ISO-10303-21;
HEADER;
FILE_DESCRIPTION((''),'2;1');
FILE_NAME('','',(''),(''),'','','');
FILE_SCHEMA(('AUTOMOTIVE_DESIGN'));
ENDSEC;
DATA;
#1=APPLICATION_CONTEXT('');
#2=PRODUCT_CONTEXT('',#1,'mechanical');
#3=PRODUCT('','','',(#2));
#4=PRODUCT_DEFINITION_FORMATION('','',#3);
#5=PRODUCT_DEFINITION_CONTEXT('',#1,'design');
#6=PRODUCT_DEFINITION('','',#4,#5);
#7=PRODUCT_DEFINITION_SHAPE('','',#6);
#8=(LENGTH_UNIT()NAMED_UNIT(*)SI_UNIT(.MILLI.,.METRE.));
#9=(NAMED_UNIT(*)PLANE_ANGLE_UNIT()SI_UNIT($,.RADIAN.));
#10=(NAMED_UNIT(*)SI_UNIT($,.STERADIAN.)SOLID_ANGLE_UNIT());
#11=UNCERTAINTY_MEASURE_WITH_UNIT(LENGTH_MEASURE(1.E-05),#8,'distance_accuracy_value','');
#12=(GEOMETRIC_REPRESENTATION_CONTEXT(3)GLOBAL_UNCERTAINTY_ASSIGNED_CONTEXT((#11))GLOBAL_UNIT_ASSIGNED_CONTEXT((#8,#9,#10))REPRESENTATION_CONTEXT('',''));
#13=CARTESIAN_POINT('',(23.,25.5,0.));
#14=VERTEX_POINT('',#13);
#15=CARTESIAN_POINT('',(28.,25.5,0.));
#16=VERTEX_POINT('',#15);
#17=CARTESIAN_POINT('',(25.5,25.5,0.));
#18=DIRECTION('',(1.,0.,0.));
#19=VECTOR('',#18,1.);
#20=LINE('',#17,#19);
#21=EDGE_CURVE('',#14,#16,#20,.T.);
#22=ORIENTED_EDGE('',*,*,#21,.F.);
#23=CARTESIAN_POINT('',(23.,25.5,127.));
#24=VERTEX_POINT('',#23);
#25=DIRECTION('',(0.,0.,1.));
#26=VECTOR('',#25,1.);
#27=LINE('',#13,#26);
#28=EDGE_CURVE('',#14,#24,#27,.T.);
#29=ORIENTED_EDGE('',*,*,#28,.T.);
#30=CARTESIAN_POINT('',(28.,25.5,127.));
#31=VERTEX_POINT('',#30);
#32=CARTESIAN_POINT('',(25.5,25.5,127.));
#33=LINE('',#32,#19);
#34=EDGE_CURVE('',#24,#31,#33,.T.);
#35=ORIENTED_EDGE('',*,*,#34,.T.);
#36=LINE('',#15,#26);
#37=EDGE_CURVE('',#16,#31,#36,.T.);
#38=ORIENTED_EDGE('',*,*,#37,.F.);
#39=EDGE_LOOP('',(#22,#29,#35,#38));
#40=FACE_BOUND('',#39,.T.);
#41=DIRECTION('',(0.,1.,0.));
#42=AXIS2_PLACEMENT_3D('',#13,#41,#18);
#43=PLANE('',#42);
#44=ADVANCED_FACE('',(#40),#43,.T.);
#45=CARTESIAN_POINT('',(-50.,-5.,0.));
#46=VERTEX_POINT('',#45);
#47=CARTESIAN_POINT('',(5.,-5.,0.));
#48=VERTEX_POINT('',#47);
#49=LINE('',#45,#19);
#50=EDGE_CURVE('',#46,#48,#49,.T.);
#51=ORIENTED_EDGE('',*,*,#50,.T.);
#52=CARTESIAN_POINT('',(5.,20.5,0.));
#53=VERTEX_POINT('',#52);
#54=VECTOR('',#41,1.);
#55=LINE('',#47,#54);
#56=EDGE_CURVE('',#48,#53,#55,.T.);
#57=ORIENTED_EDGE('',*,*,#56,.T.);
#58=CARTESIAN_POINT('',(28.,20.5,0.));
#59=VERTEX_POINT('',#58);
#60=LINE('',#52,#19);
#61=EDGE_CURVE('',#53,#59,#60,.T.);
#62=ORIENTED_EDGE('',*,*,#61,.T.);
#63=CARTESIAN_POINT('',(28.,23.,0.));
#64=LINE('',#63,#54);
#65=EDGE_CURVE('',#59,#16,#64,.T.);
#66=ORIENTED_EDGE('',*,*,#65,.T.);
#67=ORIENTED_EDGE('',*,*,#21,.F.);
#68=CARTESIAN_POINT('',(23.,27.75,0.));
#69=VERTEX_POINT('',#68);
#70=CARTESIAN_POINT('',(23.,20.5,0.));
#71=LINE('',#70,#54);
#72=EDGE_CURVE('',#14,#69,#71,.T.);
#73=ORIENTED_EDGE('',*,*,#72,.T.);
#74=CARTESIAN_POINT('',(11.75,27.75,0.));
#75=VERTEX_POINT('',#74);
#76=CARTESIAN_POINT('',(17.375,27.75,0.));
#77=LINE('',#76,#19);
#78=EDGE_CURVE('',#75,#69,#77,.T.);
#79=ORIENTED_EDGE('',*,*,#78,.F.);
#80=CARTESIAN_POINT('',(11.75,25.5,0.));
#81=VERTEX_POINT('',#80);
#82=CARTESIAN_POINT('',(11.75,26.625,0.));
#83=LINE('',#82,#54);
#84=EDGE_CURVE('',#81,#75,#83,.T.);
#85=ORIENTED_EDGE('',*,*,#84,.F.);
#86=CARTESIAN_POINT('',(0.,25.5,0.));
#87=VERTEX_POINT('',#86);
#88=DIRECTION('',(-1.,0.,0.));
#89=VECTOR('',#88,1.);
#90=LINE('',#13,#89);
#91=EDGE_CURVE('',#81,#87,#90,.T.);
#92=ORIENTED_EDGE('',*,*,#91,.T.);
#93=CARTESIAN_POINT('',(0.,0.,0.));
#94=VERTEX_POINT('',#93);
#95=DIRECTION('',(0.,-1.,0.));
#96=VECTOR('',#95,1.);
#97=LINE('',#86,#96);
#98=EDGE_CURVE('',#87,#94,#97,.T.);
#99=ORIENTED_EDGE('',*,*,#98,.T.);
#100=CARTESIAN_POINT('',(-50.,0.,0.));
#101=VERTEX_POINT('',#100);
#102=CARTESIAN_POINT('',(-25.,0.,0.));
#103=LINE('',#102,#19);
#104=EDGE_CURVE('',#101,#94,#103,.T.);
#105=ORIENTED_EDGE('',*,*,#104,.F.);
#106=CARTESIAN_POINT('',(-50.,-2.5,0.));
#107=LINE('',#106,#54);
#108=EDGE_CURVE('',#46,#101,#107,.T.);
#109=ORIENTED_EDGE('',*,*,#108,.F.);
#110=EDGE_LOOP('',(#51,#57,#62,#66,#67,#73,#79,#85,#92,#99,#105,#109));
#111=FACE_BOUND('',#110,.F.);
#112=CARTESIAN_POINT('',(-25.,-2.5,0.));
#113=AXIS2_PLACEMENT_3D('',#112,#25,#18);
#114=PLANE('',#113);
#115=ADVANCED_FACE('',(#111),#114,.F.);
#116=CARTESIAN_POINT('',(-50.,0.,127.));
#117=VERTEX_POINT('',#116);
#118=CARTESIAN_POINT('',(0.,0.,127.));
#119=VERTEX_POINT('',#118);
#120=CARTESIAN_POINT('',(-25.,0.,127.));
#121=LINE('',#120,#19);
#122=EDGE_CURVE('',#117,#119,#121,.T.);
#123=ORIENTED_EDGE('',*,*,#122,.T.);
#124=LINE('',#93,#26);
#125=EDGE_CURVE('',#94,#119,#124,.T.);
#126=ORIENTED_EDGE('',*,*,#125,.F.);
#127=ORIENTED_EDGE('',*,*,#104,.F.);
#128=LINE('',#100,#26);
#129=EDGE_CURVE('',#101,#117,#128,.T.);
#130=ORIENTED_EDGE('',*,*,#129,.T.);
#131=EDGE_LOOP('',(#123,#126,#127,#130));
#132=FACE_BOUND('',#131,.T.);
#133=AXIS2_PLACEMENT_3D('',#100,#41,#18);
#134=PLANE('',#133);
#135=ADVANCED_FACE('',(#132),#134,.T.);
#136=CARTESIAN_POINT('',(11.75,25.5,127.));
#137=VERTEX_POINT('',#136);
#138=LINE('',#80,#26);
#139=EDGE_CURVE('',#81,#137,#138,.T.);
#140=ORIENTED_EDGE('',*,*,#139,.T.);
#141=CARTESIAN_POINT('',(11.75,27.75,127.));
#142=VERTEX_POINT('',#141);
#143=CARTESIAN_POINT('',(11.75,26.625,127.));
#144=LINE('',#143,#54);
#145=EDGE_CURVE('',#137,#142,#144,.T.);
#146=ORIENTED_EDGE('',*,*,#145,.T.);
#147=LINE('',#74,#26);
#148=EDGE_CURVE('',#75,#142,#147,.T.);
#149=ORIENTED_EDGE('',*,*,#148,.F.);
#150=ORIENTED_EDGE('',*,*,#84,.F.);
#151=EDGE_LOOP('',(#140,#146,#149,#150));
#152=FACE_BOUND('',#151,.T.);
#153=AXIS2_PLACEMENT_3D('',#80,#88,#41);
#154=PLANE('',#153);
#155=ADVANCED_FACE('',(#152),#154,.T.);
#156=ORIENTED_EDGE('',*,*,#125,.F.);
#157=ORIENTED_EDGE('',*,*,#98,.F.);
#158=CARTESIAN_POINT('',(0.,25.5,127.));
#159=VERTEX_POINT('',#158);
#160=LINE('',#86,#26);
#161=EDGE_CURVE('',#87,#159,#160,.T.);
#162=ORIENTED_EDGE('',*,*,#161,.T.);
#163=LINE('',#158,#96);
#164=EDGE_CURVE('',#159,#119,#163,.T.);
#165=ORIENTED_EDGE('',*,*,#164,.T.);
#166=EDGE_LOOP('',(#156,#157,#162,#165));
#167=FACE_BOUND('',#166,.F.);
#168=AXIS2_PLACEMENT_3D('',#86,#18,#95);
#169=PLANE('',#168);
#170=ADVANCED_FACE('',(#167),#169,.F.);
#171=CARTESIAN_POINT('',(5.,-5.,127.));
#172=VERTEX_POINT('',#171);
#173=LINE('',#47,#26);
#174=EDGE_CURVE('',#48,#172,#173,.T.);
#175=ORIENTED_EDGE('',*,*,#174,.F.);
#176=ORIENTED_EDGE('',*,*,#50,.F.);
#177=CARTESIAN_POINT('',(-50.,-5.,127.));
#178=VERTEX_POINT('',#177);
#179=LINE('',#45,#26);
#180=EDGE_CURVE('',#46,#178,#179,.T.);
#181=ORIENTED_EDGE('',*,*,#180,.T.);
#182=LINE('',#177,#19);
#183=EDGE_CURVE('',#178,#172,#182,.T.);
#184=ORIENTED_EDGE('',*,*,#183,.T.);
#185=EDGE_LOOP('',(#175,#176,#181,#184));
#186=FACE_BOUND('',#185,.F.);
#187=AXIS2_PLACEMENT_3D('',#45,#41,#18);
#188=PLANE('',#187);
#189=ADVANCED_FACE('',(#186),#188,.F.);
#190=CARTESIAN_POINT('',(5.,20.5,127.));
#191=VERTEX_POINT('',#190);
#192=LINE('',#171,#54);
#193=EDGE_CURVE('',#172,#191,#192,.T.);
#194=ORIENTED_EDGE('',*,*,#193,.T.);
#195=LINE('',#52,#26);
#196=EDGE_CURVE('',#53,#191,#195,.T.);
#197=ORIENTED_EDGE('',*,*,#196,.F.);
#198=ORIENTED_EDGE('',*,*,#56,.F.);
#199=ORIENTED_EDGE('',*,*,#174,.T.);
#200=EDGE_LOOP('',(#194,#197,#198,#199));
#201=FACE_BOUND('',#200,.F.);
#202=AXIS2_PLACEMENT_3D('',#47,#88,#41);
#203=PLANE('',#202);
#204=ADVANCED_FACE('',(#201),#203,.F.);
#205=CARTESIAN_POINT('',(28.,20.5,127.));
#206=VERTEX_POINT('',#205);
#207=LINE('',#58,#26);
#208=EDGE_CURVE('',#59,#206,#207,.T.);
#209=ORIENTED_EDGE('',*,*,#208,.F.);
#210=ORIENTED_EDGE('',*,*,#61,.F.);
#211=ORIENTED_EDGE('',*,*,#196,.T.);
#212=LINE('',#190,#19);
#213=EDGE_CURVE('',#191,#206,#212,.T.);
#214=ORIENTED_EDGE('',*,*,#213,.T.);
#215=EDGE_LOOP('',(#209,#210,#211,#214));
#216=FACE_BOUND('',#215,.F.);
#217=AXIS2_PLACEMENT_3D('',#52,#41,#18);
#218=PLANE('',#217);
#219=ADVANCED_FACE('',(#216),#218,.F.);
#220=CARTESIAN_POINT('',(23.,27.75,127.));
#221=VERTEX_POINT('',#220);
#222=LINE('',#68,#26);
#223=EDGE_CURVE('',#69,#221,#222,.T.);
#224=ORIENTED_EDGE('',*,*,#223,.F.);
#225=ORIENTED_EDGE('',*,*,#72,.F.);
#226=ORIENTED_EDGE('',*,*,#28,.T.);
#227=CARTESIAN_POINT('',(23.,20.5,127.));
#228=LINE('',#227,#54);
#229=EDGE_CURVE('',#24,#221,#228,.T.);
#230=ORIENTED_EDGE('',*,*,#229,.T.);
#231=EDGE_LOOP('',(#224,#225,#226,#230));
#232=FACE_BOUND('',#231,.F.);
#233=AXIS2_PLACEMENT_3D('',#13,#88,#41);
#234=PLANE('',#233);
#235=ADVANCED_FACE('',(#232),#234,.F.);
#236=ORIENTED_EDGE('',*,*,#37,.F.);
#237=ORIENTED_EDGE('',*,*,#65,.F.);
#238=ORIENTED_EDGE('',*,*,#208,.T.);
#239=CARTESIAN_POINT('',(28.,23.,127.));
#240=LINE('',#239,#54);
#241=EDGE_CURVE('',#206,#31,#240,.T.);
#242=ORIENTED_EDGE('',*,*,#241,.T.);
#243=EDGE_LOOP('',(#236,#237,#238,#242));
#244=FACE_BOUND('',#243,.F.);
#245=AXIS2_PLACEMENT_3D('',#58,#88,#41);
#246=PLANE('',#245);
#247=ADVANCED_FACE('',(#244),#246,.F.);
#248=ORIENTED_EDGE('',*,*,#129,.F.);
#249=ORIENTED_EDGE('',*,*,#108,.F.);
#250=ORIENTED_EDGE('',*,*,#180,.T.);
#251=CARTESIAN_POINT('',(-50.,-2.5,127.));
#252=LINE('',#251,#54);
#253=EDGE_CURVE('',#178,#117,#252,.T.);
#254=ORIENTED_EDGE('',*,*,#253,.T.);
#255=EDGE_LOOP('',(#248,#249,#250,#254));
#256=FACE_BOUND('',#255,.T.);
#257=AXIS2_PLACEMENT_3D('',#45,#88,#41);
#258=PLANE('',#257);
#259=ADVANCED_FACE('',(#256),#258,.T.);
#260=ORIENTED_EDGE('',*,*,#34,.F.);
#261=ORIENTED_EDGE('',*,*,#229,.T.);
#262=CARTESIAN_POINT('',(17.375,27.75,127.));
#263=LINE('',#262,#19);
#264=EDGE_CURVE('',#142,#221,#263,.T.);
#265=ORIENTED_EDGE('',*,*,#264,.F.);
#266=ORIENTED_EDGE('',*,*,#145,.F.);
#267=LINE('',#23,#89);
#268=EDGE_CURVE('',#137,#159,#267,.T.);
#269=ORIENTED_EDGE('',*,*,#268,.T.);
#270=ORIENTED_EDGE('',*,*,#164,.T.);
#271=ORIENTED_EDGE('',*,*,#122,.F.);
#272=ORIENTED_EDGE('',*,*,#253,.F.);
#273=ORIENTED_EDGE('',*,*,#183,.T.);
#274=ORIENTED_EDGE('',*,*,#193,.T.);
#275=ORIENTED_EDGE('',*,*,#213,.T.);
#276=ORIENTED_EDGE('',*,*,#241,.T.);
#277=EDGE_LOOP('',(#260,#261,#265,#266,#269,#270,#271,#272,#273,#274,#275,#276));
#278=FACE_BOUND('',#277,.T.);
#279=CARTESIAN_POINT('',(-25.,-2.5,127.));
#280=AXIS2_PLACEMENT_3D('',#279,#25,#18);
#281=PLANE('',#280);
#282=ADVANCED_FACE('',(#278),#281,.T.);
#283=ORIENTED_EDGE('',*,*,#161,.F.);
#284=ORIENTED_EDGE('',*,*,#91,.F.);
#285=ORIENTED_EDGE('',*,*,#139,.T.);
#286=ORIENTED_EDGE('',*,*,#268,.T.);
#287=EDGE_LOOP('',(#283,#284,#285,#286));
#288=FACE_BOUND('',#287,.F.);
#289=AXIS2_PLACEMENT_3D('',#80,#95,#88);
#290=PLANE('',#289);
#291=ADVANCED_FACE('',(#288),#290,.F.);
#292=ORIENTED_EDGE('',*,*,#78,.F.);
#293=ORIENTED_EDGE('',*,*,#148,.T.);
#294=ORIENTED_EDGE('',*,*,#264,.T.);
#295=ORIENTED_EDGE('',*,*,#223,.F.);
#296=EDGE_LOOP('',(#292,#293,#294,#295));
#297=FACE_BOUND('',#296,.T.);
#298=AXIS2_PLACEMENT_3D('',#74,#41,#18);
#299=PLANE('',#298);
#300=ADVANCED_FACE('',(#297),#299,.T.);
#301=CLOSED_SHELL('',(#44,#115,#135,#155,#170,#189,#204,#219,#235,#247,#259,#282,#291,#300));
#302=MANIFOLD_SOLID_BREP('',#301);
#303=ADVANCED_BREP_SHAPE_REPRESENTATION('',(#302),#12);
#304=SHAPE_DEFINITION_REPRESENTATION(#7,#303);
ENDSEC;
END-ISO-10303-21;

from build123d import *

# Parameters (mm, degrees)
F0_W     = 50
F0_H     = 5
F0_W_2   = 11.25
F0_H_2   = 2.25
F0_W_3   = 5
F1_DEPTH = 127


with BuildPart() as f1:
    # F0 (on Top) → F1 (new body)
    with BuildSketch(Plane.XY):
        with Locations((-25, -2.5)):
            Rectangle(F0_W, F0_H)
        Polygon((0, 25.5), (0, 0), (0, -5), (5, -5), (5, 20.5), (5, 25.5), align=None)
        Polygon((11.75, 25.5), (5, 25.5), (5, 20.5), (23, 20.5), (23, 25.5), align=None)
        with Locations((17.375, 26.625)):
            Rectangle(F0_W_2, F0_H_2)
        with Locations((25.5, 23)):
            Rectangle(F0_W_3, F0_H)
    extrude(amount=F1_DEPTH)


solid = f1.part
